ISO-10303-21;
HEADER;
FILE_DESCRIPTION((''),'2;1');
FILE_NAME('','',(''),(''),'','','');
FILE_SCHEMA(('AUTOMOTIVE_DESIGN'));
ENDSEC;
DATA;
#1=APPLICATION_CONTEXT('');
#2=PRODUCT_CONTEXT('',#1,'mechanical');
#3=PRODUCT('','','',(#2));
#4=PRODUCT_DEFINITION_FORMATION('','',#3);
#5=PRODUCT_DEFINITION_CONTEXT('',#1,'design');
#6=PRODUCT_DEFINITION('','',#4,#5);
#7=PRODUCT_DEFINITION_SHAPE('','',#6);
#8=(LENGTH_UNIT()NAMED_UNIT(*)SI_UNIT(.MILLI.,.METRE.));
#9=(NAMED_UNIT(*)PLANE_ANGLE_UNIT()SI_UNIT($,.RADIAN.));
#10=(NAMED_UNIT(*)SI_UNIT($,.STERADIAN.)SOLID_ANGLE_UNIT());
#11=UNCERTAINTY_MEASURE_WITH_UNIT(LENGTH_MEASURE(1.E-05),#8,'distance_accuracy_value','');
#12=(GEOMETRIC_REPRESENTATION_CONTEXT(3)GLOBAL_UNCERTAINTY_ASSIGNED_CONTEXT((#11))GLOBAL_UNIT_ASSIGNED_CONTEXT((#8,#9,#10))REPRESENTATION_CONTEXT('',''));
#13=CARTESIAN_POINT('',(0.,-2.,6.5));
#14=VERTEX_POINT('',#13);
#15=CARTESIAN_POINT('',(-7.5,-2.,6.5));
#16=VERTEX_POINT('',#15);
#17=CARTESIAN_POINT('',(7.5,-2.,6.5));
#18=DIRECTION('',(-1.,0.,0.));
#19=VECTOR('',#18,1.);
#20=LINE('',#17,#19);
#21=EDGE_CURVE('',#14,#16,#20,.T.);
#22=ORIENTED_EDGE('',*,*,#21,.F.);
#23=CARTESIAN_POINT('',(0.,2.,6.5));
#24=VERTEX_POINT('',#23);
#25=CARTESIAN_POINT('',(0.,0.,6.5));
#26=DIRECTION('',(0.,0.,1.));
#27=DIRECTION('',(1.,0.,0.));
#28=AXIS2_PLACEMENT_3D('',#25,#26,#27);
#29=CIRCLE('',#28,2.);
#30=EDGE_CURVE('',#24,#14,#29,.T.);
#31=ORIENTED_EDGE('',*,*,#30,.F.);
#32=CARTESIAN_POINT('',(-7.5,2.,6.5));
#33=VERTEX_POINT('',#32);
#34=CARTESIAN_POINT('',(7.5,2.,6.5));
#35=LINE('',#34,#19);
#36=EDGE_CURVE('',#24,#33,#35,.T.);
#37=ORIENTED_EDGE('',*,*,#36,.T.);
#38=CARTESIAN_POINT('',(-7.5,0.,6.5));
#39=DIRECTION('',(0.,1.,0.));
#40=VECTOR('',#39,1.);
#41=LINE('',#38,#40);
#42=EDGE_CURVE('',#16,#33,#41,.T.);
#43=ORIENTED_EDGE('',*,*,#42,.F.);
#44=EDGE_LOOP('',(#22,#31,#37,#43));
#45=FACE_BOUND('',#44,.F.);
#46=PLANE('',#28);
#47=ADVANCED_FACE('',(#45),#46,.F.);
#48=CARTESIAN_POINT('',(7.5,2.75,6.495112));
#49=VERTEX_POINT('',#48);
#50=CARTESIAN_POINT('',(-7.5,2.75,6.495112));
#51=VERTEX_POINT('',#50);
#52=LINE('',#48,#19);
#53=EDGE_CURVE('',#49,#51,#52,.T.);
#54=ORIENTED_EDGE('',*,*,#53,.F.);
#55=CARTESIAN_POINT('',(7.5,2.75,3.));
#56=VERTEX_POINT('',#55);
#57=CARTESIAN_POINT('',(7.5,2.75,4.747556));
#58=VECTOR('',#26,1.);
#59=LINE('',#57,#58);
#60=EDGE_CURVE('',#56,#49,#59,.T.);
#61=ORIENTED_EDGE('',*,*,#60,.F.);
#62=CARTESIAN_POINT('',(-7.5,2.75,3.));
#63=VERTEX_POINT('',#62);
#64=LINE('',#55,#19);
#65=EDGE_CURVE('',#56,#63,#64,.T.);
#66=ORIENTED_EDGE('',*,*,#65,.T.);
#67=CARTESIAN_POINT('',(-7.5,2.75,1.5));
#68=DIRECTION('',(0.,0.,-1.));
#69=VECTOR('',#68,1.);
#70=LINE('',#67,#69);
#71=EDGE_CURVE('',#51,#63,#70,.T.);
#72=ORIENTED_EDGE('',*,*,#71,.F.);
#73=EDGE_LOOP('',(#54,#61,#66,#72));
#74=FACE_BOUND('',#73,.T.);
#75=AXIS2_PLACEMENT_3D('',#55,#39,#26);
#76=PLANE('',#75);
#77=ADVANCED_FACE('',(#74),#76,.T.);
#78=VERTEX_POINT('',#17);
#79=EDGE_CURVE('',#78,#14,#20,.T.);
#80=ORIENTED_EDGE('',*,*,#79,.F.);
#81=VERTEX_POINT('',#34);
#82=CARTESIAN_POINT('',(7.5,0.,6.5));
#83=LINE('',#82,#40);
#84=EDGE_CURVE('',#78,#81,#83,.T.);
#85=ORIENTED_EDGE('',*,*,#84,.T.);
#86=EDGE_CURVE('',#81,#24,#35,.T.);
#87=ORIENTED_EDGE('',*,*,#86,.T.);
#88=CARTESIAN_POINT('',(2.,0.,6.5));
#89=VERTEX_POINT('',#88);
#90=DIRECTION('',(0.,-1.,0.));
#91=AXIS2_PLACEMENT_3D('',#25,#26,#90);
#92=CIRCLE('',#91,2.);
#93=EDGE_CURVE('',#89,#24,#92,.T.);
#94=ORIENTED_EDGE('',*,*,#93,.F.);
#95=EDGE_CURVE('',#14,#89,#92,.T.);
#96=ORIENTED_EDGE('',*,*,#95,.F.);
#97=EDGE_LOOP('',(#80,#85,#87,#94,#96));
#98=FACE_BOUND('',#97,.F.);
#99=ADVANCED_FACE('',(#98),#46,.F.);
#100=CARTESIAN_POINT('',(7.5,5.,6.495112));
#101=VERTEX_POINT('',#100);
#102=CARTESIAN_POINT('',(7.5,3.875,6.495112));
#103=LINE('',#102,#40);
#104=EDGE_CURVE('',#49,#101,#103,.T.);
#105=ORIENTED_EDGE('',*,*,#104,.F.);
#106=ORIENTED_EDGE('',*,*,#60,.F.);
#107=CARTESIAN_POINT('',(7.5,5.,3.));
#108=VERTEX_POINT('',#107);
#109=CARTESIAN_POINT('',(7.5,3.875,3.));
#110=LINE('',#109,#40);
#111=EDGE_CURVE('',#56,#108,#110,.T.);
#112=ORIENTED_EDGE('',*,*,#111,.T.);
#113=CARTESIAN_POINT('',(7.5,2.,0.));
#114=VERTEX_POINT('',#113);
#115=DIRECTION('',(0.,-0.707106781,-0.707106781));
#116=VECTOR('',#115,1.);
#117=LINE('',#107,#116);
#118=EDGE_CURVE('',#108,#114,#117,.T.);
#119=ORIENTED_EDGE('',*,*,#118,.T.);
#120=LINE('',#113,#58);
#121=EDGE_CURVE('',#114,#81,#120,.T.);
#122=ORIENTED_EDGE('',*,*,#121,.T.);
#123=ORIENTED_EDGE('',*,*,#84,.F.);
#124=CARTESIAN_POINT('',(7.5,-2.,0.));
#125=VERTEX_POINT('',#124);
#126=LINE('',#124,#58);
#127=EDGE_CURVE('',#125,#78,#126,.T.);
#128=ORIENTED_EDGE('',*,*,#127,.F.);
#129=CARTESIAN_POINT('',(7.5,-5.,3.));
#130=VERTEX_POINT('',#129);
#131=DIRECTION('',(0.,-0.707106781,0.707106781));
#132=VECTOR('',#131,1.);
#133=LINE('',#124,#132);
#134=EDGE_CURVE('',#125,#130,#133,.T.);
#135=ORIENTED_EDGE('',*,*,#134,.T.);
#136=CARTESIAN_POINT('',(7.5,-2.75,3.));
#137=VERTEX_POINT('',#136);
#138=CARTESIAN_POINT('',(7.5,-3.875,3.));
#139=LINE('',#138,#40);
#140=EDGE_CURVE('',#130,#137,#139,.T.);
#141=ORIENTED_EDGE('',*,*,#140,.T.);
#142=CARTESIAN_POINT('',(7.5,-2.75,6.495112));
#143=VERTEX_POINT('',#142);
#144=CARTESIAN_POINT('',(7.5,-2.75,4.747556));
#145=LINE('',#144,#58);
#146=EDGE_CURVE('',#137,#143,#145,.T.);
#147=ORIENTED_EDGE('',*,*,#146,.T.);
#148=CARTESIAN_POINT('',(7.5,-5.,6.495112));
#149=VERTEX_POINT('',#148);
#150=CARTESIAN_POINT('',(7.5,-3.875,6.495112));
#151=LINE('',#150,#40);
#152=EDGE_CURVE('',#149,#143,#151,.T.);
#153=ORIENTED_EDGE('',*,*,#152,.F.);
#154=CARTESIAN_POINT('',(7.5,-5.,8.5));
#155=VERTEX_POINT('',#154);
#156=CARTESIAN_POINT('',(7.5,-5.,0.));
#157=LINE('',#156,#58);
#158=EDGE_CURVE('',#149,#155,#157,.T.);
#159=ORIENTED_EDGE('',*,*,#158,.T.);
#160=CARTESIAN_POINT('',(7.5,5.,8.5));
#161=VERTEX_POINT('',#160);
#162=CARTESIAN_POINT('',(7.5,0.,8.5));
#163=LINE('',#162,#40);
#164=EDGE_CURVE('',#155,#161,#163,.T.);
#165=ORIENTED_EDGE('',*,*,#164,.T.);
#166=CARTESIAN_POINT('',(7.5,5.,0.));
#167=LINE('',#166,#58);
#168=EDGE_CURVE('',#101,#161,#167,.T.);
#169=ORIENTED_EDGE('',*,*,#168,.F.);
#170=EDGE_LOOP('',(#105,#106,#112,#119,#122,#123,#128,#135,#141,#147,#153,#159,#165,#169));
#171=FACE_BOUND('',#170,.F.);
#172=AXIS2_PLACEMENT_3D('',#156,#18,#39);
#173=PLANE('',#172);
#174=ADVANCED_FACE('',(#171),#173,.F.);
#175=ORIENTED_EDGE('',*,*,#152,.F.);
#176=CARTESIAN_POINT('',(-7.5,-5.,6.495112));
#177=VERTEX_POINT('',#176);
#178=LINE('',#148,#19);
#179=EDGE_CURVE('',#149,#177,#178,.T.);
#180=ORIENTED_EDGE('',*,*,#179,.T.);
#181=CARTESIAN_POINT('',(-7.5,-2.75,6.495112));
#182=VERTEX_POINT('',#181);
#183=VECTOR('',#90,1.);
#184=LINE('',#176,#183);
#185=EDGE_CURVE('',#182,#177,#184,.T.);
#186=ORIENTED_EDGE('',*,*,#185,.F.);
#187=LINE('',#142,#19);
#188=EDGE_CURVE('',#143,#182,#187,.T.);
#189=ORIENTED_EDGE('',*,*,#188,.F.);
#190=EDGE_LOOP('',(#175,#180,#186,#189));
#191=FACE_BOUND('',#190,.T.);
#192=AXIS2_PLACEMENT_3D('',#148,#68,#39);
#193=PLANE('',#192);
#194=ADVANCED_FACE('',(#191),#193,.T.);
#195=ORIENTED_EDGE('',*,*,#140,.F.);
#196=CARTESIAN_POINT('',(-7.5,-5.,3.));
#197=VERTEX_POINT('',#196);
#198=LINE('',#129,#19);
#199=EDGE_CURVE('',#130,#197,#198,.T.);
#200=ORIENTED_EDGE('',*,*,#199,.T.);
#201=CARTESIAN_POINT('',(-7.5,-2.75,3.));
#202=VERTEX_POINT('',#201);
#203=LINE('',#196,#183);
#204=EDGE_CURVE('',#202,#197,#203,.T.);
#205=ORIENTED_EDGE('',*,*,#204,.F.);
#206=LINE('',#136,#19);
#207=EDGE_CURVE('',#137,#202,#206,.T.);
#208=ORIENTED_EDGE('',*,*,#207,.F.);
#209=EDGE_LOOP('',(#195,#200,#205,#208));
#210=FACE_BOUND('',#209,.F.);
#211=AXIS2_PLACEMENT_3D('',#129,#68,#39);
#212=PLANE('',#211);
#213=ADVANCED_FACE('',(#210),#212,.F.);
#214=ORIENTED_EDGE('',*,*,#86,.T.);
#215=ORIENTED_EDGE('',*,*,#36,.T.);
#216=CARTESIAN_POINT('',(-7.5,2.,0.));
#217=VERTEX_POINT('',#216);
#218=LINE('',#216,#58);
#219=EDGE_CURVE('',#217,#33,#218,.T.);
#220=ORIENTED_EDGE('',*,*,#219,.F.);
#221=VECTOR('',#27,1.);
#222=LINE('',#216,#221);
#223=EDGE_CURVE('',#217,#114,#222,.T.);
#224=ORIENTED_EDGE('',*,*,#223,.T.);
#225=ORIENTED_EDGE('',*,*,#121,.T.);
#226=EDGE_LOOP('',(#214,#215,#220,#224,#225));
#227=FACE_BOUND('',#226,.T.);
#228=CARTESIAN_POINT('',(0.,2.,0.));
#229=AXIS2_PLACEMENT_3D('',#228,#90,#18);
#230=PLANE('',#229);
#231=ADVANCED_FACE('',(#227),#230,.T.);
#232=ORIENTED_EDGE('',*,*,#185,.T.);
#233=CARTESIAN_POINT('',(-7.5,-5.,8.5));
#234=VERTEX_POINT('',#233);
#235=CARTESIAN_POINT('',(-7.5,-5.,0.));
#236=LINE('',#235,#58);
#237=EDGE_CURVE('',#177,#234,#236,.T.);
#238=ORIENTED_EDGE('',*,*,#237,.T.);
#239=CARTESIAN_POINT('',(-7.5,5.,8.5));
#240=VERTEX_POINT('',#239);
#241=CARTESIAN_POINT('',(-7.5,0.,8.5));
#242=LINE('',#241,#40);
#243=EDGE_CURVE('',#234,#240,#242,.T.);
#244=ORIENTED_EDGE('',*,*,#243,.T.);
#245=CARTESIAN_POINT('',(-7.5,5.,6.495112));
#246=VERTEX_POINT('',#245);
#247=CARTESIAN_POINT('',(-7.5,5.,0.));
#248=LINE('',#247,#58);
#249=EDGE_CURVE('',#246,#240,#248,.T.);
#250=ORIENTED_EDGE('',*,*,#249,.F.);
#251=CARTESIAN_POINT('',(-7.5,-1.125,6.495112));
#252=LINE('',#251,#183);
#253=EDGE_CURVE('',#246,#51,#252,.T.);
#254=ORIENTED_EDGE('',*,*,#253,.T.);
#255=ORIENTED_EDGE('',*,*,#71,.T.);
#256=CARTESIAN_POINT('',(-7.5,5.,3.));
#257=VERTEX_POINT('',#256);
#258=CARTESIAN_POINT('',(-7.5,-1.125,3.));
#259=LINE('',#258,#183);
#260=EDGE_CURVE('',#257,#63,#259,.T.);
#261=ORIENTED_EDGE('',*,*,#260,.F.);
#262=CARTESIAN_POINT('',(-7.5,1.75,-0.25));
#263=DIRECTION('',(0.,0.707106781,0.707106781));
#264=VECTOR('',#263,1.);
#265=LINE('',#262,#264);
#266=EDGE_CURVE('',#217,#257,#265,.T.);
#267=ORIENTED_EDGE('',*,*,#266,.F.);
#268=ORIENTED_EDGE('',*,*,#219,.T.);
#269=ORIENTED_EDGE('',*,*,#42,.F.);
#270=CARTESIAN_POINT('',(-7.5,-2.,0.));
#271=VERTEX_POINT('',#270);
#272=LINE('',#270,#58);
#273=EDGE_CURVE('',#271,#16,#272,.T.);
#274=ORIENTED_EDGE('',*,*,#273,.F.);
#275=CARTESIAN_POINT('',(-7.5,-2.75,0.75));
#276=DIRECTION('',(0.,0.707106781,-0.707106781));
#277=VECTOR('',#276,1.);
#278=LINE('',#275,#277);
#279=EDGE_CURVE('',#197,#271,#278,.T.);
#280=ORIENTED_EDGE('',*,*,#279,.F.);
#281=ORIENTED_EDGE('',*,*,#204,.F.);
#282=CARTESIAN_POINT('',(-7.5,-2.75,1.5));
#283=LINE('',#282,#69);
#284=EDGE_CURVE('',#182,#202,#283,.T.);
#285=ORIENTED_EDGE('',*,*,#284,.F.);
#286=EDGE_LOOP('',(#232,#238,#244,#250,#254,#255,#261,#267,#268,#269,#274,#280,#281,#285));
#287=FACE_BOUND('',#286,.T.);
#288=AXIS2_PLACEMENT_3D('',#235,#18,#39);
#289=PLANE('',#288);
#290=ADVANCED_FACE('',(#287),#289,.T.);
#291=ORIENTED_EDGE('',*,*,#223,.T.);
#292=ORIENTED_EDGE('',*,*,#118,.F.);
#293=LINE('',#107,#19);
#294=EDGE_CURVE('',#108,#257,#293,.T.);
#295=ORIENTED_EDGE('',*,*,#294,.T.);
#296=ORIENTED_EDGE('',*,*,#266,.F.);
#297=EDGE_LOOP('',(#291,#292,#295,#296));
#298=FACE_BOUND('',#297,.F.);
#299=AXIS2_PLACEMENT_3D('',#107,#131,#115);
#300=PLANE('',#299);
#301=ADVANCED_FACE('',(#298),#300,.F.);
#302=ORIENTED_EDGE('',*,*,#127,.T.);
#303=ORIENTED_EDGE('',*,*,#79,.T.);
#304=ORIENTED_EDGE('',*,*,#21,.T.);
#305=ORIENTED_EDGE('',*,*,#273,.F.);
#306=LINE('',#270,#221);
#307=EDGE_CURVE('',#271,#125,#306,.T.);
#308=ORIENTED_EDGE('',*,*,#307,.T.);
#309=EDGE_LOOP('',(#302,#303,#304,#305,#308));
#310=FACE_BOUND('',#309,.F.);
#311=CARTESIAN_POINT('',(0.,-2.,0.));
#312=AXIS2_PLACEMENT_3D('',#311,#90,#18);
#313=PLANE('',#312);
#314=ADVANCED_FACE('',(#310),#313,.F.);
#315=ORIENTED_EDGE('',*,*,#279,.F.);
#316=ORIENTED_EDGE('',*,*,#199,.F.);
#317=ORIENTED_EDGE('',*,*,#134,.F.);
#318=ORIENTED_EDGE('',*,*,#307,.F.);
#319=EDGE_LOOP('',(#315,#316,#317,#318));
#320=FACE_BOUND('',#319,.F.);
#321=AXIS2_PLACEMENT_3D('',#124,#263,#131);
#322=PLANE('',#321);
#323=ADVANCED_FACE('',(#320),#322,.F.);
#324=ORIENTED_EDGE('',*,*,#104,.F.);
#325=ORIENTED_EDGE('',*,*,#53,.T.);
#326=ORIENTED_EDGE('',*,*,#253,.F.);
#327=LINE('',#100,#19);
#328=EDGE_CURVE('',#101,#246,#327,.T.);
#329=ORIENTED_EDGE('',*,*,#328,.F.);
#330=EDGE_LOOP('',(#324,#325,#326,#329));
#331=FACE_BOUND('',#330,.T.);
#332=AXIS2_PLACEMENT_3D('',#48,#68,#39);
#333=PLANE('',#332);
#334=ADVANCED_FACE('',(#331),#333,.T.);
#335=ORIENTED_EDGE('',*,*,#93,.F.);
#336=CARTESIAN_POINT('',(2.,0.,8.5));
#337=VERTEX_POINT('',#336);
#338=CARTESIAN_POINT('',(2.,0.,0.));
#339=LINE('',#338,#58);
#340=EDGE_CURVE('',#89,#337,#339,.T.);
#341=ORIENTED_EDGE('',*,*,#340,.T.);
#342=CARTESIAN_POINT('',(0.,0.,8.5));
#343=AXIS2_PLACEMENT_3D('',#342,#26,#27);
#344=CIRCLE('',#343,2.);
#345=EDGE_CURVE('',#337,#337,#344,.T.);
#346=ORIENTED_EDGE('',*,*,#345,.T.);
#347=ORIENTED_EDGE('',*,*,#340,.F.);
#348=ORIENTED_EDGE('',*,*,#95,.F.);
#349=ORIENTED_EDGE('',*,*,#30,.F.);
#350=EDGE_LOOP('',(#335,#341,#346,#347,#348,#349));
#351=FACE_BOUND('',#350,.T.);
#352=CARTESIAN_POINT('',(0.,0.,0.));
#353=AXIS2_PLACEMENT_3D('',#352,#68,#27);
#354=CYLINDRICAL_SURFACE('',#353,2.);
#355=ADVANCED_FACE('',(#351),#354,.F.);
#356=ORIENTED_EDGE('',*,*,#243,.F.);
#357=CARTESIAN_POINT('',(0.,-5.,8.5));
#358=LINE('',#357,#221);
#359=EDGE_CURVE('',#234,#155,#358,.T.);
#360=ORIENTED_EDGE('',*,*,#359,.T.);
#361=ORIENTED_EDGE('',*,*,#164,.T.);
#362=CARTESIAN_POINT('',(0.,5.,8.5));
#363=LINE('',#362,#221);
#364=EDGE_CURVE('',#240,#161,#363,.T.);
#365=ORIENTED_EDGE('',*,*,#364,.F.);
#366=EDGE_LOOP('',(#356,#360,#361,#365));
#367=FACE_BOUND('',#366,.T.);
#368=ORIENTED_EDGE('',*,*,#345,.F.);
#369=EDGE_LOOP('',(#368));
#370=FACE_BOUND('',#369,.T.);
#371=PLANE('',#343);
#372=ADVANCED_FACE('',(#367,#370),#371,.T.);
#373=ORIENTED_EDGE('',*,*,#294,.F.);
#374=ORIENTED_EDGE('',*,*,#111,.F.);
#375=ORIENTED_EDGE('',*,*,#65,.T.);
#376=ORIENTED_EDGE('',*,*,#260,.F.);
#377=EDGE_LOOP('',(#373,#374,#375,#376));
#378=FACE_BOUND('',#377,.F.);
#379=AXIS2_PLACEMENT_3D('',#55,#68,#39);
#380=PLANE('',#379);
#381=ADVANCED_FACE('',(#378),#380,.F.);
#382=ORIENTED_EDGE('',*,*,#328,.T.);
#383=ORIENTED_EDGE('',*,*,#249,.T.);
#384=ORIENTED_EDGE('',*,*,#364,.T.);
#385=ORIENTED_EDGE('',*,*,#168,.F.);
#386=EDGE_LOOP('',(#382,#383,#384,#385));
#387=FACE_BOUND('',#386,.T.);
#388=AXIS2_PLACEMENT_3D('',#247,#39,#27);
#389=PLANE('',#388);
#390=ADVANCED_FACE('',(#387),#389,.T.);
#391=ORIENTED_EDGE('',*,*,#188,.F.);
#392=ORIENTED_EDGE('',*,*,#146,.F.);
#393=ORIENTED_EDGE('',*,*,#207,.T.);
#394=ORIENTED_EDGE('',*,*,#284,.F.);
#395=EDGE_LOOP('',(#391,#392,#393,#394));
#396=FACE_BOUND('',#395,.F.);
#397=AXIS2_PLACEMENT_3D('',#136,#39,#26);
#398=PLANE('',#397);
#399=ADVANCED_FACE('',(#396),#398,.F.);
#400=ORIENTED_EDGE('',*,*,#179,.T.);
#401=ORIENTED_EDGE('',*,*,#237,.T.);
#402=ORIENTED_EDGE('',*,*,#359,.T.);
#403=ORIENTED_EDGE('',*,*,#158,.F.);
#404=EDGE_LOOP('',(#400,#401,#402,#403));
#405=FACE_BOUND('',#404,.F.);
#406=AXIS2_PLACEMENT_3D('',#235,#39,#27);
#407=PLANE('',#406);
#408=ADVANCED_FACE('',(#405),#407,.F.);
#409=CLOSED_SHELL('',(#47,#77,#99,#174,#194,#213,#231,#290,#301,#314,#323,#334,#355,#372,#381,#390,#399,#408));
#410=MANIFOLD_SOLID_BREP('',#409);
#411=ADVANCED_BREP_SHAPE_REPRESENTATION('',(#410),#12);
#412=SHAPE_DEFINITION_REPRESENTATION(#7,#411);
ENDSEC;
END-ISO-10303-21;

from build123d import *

# Parameters (mm, degrees)
F0_W     = 15
F0_H     = 10
F0_R     = 2
F1_DEPTH = 8.5
F2_W     = 2.25
F2_H     = 3.4951120354
F3_DEPTH = 25
F4_DEPTH = 6.5


with BuildPart() as f1:
    # F0 (on Top) → F1 (new body)
    with BuildSketch(Plane.XY):
        Rectangle(F0_W, F0_H)
        Circle(F0_R, mode=Mode.SUBTRACT)
    extrude(amount=F1_DEPTH)

    # F2 (on face) → F3 (cut)
    with BuildSketch(Plane.YZ.offset(7.5)):
        Polygon((5, 3), (2, 0), (5, 0), align=None)
        with Locations((3.875, 4.7475560177)):
            Rectangle(F2_W, F2_H)
        with Locations((-3.875, 4.7475560177)):
            Rectangle(F2_W, F2_H)
        Polygon((-5, 0), (-2, 0), (-5, 3), align=None)
    extrude(amount=-F3_DEPTH, mode=Mode.SUBTRACT)

    # F4 (cut): faces of the model
    f4_faces = [f1.faces().sort_by_distance(p)[0] for p in [
        (4.5185944257, 0, 0),
        (-4.5185944257, 0, 0),
    ]]
    extrude(f4_faces, amount=-F4_DEPTH, mode=Mode.SUBTRACT)


solid = f1.part
